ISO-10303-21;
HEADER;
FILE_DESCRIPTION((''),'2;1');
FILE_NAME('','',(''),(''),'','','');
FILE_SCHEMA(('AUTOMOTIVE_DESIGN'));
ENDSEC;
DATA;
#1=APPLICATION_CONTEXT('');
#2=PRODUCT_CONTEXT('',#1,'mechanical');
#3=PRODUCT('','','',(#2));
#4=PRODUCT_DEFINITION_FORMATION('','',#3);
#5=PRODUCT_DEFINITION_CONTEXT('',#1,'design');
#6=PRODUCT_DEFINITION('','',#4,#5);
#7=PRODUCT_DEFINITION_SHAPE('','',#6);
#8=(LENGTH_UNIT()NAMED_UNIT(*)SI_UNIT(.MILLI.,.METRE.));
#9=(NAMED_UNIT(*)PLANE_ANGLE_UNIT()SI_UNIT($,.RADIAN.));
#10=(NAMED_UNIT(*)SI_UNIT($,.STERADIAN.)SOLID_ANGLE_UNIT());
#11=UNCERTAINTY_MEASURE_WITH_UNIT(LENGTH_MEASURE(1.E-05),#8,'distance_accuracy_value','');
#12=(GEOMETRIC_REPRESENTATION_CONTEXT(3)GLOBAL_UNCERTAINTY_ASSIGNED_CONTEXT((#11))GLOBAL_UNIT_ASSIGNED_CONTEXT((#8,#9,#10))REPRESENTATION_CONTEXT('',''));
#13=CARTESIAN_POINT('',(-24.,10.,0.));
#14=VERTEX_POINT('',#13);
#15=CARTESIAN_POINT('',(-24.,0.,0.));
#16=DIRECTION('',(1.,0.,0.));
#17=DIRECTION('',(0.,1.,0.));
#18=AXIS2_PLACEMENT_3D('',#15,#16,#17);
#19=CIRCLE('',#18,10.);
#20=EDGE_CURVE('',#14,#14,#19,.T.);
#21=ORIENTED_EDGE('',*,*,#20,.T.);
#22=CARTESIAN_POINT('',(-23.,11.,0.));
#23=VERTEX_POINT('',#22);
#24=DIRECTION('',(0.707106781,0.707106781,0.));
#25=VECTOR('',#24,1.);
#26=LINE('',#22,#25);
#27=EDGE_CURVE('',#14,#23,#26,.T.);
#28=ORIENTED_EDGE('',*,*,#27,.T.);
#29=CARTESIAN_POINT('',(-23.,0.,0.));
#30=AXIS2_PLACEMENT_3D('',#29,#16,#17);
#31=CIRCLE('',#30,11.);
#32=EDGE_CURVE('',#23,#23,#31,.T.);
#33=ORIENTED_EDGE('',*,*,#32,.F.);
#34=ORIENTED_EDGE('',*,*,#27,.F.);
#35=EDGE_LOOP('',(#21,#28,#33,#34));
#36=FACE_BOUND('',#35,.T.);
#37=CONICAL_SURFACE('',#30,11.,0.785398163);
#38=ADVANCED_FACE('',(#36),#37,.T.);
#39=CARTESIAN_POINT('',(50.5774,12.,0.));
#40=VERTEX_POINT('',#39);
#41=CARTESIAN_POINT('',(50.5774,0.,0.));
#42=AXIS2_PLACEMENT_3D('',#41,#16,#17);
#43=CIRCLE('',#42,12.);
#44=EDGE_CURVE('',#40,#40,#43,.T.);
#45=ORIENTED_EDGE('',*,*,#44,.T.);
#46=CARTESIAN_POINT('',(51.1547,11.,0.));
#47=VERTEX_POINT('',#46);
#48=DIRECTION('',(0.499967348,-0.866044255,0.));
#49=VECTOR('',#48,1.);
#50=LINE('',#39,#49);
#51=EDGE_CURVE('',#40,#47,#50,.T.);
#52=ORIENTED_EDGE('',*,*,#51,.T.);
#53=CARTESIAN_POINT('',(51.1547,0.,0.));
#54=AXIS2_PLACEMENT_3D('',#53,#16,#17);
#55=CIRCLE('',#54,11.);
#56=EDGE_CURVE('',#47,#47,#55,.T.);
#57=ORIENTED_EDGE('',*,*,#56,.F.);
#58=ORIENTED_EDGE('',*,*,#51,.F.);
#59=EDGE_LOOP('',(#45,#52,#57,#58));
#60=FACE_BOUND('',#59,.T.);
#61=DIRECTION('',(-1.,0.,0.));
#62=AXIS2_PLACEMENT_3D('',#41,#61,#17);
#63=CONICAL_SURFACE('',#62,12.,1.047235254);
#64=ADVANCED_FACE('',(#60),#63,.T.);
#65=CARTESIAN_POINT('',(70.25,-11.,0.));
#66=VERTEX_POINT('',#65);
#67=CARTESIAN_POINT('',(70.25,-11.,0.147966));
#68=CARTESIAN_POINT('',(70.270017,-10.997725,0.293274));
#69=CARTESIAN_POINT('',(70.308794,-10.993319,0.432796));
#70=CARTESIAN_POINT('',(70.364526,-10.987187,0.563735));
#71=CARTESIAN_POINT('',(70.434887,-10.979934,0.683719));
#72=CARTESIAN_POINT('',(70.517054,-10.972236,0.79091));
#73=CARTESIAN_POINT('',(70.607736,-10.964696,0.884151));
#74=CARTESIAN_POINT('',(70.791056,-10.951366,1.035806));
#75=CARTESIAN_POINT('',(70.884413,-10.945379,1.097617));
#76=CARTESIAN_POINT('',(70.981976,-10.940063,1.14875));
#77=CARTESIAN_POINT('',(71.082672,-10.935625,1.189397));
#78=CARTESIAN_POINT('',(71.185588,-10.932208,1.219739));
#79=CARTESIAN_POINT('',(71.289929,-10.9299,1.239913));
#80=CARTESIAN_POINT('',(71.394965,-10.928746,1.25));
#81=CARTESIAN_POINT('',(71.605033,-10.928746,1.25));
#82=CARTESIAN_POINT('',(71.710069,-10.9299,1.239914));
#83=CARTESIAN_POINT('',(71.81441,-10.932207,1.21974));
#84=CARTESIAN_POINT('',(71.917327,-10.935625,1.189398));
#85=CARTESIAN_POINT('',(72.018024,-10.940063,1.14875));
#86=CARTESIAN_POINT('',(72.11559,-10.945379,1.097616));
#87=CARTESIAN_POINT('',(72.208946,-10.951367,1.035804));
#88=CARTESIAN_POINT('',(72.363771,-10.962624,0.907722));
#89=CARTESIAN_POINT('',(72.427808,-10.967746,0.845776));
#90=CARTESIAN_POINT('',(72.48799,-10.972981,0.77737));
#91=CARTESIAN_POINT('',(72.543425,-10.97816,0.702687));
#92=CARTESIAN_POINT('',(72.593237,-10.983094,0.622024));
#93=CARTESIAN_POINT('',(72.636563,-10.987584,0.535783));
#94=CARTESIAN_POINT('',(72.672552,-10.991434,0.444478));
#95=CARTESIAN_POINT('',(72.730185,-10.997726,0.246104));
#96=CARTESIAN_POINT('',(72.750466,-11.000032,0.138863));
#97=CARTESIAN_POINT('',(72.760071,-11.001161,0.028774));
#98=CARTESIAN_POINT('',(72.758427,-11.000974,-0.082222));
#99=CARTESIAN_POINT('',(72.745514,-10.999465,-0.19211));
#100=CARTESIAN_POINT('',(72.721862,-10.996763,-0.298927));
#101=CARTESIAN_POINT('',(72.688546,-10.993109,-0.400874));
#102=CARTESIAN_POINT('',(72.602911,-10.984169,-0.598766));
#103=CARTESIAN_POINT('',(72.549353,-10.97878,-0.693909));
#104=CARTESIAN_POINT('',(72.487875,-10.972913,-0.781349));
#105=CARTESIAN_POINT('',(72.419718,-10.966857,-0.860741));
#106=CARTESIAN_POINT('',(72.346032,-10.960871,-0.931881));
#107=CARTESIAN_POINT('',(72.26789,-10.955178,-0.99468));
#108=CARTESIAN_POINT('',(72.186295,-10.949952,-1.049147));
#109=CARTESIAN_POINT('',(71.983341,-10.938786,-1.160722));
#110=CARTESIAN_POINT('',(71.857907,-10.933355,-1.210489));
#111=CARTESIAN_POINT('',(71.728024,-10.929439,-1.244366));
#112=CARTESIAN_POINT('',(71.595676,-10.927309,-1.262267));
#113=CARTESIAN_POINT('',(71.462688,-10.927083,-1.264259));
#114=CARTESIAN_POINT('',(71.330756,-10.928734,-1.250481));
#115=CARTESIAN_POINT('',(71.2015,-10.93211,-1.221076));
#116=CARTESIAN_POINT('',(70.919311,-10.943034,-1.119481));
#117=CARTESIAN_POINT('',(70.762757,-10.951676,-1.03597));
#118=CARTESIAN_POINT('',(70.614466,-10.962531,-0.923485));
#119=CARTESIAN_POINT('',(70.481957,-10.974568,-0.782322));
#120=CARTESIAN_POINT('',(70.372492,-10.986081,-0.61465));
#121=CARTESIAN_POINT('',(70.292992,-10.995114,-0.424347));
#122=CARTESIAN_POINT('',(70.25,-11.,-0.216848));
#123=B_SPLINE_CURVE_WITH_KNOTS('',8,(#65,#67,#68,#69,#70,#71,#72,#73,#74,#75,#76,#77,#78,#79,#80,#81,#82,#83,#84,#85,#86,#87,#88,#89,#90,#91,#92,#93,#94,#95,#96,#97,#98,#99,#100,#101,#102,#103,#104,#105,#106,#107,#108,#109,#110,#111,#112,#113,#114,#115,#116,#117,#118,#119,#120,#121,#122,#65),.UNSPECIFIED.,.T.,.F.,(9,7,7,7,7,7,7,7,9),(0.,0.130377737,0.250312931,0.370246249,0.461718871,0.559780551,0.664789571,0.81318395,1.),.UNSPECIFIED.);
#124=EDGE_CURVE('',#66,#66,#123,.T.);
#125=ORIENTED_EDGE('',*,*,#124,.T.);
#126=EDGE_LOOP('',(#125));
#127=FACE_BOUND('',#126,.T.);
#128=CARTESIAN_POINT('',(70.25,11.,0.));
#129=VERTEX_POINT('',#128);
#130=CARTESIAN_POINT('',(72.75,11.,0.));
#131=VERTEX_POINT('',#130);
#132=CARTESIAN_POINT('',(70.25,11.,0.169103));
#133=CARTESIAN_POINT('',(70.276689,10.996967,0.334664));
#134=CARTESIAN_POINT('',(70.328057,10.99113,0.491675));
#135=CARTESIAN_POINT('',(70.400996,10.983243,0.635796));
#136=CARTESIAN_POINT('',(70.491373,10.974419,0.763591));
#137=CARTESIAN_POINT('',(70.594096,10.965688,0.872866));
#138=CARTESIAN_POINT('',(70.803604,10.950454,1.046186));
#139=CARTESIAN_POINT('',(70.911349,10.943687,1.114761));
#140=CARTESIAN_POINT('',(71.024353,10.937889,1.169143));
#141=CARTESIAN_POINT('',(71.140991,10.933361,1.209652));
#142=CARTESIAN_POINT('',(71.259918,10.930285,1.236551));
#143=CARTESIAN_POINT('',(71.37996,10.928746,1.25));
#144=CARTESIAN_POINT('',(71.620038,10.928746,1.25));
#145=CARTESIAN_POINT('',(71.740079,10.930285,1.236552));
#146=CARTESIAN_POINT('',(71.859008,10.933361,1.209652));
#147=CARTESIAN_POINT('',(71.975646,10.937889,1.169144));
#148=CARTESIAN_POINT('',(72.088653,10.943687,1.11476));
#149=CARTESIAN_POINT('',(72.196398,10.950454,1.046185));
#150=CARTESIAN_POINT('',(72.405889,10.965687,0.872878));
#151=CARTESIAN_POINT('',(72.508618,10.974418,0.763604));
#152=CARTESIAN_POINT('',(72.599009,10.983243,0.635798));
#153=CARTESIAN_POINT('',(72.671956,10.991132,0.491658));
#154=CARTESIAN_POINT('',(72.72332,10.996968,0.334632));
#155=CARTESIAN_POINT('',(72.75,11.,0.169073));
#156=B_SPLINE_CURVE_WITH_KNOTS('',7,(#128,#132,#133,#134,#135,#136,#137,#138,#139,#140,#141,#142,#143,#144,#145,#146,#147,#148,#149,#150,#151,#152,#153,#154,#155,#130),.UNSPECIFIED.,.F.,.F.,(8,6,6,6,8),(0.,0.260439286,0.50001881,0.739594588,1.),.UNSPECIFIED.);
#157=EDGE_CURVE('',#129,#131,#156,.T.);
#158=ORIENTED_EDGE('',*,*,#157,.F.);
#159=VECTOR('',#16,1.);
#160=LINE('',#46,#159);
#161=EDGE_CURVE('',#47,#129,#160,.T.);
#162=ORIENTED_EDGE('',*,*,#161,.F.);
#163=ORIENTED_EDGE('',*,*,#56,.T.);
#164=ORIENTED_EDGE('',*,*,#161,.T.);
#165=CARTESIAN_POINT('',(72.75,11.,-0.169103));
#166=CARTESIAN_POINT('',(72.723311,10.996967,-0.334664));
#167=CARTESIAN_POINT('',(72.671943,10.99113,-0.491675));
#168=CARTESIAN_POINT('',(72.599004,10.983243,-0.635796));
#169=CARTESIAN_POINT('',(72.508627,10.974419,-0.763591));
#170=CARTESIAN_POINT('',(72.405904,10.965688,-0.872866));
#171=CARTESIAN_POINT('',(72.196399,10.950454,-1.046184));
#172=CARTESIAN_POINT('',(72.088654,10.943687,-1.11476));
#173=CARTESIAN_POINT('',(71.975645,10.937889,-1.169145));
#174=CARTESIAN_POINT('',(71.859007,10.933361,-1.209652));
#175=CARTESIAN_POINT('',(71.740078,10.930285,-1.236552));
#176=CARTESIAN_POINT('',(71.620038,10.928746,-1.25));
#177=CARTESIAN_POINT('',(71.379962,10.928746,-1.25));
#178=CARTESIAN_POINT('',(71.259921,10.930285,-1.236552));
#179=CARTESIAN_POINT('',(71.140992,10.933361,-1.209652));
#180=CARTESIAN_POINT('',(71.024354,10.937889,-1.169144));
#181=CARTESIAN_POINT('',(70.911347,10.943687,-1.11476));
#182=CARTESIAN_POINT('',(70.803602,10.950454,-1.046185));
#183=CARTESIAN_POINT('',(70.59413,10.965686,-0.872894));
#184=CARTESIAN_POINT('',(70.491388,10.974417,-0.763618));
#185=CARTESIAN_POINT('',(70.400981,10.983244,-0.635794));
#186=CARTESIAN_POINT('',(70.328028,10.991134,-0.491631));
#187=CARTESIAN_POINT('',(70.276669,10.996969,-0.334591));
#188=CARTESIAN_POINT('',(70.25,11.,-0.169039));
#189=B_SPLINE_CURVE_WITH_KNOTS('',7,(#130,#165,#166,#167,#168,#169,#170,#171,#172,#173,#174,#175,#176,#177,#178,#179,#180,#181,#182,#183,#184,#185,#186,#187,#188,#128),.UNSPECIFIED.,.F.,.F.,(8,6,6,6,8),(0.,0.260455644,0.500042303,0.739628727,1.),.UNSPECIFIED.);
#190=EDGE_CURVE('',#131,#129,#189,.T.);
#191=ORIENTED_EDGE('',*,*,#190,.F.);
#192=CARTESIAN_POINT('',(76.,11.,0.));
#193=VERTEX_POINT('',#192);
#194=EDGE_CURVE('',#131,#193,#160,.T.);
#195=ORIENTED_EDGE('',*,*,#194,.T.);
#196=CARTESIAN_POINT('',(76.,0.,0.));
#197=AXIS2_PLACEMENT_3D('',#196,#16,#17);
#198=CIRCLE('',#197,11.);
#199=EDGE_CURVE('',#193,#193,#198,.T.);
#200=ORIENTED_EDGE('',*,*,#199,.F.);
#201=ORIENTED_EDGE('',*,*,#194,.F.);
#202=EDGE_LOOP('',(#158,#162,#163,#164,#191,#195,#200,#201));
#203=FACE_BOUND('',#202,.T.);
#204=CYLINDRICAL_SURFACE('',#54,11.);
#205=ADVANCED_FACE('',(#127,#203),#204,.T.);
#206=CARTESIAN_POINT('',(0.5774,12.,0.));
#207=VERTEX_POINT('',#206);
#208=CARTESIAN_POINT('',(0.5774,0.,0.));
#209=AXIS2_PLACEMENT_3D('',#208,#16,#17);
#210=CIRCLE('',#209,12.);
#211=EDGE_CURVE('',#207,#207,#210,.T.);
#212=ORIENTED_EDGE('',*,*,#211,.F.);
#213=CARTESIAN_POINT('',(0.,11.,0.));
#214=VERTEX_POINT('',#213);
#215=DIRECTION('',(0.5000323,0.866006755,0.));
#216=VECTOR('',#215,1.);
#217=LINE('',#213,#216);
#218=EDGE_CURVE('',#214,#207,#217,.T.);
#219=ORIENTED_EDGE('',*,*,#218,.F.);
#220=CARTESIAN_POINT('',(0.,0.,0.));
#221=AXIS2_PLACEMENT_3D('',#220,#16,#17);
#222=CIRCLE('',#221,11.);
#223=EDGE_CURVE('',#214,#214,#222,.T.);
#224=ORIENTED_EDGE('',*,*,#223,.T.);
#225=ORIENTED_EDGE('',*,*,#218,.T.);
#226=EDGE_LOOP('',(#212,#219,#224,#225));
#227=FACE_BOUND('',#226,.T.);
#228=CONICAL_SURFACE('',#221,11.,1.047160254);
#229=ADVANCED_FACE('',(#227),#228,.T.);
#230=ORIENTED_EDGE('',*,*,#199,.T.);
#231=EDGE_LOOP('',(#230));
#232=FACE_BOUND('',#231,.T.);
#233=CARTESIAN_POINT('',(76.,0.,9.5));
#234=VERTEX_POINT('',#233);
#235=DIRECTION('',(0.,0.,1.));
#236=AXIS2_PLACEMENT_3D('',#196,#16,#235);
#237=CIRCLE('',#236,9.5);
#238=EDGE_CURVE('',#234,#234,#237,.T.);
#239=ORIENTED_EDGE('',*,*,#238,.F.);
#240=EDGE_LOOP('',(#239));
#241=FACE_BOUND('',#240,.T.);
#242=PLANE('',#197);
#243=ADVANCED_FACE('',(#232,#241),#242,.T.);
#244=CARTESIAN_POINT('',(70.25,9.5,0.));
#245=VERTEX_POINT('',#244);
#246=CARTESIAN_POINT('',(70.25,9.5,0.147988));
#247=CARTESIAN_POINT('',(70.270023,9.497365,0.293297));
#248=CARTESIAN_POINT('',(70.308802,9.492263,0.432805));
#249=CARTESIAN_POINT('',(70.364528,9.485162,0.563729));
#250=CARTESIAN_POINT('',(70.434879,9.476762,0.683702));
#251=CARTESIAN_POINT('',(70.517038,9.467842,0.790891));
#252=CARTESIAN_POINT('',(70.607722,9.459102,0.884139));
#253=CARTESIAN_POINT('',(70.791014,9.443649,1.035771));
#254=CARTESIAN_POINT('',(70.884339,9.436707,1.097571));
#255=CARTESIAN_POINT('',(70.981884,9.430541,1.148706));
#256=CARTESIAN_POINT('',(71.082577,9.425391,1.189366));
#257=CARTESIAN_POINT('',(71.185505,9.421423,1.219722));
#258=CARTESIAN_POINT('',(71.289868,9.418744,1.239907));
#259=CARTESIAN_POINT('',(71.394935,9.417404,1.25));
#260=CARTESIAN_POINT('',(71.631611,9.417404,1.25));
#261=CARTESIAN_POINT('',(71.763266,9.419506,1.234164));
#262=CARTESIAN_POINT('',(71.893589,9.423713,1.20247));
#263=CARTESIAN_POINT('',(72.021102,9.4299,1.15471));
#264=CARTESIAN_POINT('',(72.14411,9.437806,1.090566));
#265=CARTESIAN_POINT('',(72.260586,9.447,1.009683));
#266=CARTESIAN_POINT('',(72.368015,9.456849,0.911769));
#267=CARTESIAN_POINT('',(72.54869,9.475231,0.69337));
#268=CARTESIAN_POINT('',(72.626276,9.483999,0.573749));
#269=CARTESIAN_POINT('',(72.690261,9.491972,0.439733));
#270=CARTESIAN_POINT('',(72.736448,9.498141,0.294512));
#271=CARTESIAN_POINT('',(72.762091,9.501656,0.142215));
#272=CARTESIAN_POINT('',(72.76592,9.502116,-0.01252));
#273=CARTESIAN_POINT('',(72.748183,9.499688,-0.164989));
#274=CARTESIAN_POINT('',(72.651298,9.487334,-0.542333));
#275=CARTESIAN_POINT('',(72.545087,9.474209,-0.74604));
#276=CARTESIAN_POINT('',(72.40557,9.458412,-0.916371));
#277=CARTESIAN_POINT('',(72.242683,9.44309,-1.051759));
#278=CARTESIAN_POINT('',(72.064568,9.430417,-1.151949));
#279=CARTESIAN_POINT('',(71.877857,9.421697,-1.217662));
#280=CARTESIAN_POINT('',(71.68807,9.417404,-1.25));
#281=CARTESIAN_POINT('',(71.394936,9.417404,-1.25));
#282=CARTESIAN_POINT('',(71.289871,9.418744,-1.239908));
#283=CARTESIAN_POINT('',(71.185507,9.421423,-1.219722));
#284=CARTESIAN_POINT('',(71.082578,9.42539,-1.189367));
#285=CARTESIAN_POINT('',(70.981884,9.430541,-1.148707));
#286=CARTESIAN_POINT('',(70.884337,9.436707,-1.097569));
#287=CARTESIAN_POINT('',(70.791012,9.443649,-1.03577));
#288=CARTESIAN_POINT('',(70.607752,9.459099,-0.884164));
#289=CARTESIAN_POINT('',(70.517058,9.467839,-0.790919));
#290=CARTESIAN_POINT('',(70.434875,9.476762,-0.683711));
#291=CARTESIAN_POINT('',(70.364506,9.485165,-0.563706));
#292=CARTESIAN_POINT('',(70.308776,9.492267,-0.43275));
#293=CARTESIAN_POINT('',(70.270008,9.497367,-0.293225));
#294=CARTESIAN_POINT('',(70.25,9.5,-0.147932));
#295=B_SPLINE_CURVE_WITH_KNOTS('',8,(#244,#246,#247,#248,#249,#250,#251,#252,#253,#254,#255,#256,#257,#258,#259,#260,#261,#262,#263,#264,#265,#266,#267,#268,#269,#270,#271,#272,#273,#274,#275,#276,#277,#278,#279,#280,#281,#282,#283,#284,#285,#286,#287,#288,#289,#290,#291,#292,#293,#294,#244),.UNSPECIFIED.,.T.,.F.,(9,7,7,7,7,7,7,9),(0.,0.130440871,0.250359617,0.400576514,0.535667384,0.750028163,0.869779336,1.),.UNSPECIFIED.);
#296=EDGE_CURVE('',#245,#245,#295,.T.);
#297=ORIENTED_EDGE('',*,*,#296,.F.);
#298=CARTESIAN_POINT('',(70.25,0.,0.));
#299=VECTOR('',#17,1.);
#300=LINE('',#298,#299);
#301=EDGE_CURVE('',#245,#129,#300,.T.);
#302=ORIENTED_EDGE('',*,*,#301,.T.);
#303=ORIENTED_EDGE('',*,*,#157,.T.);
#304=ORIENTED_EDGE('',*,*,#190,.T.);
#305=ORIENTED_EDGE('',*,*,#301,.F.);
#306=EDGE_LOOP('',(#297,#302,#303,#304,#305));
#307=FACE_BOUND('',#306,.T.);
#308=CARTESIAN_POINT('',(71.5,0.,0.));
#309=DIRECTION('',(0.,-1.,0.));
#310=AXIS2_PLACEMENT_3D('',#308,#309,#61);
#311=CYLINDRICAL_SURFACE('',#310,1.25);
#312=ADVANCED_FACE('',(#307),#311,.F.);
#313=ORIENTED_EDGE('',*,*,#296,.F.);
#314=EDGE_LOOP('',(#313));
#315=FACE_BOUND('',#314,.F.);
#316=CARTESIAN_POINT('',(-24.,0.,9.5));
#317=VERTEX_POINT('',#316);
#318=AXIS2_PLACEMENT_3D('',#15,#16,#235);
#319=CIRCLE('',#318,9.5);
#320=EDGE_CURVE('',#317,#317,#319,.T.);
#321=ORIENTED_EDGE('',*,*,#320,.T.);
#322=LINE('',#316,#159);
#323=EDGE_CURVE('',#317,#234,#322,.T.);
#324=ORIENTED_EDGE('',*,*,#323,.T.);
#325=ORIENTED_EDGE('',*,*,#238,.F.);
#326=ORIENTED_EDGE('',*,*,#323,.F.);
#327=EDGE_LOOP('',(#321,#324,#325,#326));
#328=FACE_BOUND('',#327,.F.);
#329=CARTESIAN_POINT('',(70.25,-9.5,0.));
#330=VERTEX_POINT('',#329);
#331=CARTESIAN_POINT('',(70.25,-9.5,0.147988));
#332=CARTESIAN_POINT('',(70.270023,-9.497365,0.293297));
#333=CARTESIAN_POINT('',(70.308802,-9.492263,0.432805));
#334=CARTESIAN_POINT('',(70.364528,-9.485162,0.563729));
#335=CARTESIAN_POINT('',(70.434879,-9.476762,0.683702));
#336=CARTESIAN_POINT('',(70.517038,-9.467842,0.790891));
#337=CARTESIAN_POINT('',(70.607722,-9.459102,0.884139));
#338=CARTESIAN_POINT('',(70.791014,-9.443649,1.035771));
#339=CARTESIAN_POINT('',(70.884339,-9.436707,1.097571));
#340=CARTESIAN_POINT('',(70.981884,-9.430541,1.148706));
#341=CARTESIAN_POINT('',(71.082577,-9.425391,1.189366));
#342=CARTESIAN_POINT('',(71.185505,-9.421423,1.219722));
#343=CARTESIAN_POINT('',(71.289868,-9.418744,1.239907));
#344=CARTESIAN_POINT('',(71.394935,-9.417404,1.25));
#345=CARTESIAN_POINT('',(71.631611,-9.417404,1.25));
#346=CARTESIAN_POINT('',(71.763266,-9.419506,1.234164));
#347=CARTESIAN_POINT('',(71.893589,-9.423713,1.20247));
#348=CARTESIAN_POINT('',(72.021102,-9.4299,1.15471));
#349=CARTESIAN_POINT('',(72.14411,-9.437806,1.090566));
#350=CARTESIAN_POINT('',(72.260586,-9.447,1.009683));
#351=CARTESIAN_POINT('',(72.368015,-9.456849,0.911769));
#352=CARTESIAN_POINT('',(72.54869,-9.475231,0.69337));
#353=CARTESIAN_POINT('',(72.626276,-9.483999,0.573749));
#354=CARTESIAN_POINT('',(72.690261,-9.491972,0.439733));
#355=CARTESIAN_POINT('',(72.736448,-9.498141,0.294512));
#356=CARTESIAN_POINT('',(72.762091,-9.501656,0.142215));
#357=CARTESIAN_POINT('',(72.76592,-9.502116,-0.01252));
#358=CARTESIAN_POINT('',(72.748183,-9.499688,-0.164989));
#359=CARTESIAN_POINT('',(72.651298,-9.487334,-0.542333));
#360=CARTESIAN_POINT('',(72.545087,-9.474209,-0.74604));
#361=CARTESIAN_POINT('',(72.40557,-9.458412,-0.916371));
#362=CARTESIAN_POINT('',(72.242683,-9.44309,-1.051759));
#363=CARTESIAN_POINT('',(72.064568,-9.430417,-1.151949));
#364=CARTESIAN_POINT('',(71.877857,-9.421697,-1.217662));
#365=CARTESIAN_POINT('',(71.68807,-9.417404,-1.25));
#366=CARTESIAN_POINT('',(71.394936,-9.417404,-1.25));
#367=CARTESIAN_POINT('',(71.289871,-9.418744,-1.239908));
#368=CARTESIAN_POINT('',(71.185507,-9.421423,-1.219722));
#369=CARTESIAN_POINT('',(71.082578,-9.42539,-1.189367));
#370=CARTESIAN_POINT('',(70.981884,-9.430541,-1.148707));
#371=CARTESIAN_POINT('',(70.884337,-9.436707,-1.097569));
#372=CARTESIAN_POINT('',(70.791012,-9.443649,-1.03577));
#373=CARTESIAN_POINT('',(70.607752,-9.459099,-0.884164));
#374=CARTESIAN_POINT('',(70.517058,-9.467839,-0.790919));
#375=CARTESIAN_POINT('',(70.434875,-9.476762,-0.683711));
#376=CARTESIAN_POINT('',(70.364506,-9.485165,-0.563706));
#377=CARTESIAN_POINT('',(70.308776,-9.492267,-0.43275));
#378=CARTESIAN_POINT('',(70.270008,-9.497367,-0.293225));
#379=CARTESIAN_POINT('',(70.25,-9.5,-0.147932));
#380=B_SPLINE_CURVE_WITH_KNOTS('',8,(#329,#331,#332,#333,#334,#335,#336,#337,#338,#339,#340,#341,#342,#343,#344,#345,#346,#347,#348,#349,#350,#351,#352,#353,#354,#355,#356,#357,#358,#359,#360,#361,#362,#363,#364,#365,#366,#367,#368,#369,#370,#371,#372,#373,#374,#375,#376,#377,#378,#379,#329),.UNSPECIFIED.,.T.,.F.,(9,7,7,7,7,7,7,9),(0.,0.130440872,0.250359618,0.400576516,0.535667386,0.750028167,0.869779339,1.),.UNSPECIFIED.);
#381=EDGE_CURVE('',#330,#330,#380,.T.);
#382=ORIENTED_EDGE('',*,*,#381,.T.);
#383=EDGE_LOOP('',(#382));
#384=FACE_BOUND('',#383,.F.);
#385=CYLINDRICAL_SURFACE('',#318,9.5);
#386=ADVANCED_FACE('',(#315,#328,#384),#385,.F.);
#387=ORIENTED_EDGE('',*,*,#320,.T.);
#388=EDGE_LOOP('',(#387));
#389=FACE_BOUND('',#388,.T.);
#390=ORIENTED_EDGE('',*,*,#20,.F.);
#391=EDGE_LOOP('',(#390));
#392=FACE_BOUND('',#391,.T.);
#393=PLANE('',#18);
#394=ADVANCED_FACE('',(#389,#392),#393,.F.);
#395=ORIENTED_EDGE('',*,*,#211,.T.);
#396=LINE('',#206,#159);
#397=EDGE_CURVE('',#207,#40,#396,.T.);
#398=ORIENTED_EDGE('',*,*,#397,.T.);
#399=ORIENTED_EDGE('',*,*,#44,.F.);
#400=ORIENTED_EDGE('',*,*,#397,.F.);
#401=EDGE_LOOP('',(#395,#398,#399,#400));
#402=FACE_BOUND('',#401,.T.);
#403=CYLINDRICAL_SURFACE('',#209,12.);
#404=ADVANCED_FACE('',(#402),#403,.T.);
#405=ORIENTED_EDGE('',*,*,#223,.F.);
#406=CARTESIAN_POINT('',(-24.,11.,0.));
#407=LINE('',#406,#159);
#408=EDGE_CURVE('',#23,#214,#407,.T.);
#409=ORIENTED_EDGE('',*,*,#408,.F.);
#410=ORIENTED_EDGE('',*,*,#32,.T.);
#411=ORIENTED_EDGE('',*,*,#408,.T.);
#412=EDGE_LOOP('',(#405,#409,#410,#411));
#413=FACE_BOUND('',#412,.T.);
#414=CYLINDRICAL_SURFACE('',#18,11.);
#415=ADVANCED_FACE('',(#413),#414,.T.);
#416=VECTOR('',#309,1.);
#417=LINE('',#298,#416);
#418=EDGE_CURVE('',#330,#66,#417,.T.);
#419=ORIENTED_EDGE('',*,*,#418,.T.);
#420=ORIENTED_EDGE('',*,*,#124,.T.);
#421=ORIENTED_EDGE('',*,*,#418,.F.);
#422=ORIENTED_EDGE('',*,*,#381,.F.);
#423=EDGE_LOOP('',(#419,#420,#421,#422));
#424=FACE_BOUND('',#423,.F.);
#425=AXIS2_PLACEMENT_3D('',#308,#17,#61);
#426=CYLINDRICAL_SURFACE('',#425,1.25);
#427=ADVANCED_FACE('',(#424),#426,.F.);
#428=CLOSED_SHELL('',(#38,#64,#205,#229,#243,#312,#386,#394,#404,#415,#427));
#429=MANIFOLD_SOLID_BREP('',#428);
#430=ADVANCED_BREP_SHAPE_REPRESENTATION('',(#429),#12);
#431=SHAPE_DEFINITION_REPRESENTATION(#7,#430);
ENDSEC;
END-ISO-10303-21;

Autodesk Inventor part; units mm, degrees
ref_plane "YZ Plane" through (0, 0, 0) normal (1, 0, 0) x (0, 1, 0)
ref_plane "XZ Plane" through (0, 0, 0) normal (0, 1, 0) x (-1, 0, 0)
ref_plane "XY Plane" through (0, 0, 0) normal (0, 0, 1) x (1, 0, 0)
sketch "Profile" plane through (0, 0, 0) normal (0, 0, 1) x (1, 0, 0)
  line L0 (-24, 0) -> (-24, 11)
  line L1 (-24, 11) -> (0, 11)
  line L2 (0, 11) -> (0.5774, 12)
  line L3 (0.5774, 12) -> (50.5774, 12)
  line L4 (50.5774, 12) -> (51.1547, 11)
  line L5 (51.1547, 11) -> (76, 11)
  line L6 (76, 11) -> (76, 0)
  line L7 (-24, 0) -> (0, 0)
  line L8 (0, 0) -> (0, 9)
  line L9 (0, 9) -> (68, 9)
  line L10 (68, 9) -> (68, 0)
  line L11 (68, 0) -> (76, 0)
  line L12 (-44, 0) -> (96, 0) construction
  line L13 (0, 11) -> (0, 9) construction
  dimension "BodyLength" = 100
  dimension "d1" = 11
  dimension "d3" = 120
  dimension "d4" = 120
  dimension "d5" = 50
  dimension "d6" = 24
  dimension "d16" = 8
  dimension "d29" = 1
  dimension "d30" = 9
revolve "ProfileRevolveFeature" add sketch "Profile" angle 360 about axis through (-10, 0, 0) along (1, 0, 0)
sketch "InsideHole" plane through (-24, 0, 0) normal (-1, 0, 0) x (0, 0, 1)
  circle A0 centre (0, 0) radius 9 construction
hole "InsideHoleFeature" at (-24, 0, 0) direction (1, 0, 0) diameter 19 end through all
chamfer "EndChamferFeature" distance 1 angle 45 1 edges at (-24, -11, 0)
sketch "CapMountHole" plane through (0, 0, 0) normal (0, 1, 0) x (-1, 0, 0)
  line L0 (-76, 11) -> (-76, -11) construction
  line L1 (9.12, 0) -> (-54.72, 0) construction
  circle A0 centre (-71.5, 0) radius 1.25
  point P0 (0, 0)
  dimension "d31" = 4.5
  dimension "d39" = 2.5
extrude "CapMountHoleFeature" cut sketch "CapMountHole" along normal through all both and the other way through all
equation "\"d5\" = 0.5 * BodyLength"
equation "\"d6\" = 0.24 * BodyLength"
properties part number "BackPair1PistonBody"
